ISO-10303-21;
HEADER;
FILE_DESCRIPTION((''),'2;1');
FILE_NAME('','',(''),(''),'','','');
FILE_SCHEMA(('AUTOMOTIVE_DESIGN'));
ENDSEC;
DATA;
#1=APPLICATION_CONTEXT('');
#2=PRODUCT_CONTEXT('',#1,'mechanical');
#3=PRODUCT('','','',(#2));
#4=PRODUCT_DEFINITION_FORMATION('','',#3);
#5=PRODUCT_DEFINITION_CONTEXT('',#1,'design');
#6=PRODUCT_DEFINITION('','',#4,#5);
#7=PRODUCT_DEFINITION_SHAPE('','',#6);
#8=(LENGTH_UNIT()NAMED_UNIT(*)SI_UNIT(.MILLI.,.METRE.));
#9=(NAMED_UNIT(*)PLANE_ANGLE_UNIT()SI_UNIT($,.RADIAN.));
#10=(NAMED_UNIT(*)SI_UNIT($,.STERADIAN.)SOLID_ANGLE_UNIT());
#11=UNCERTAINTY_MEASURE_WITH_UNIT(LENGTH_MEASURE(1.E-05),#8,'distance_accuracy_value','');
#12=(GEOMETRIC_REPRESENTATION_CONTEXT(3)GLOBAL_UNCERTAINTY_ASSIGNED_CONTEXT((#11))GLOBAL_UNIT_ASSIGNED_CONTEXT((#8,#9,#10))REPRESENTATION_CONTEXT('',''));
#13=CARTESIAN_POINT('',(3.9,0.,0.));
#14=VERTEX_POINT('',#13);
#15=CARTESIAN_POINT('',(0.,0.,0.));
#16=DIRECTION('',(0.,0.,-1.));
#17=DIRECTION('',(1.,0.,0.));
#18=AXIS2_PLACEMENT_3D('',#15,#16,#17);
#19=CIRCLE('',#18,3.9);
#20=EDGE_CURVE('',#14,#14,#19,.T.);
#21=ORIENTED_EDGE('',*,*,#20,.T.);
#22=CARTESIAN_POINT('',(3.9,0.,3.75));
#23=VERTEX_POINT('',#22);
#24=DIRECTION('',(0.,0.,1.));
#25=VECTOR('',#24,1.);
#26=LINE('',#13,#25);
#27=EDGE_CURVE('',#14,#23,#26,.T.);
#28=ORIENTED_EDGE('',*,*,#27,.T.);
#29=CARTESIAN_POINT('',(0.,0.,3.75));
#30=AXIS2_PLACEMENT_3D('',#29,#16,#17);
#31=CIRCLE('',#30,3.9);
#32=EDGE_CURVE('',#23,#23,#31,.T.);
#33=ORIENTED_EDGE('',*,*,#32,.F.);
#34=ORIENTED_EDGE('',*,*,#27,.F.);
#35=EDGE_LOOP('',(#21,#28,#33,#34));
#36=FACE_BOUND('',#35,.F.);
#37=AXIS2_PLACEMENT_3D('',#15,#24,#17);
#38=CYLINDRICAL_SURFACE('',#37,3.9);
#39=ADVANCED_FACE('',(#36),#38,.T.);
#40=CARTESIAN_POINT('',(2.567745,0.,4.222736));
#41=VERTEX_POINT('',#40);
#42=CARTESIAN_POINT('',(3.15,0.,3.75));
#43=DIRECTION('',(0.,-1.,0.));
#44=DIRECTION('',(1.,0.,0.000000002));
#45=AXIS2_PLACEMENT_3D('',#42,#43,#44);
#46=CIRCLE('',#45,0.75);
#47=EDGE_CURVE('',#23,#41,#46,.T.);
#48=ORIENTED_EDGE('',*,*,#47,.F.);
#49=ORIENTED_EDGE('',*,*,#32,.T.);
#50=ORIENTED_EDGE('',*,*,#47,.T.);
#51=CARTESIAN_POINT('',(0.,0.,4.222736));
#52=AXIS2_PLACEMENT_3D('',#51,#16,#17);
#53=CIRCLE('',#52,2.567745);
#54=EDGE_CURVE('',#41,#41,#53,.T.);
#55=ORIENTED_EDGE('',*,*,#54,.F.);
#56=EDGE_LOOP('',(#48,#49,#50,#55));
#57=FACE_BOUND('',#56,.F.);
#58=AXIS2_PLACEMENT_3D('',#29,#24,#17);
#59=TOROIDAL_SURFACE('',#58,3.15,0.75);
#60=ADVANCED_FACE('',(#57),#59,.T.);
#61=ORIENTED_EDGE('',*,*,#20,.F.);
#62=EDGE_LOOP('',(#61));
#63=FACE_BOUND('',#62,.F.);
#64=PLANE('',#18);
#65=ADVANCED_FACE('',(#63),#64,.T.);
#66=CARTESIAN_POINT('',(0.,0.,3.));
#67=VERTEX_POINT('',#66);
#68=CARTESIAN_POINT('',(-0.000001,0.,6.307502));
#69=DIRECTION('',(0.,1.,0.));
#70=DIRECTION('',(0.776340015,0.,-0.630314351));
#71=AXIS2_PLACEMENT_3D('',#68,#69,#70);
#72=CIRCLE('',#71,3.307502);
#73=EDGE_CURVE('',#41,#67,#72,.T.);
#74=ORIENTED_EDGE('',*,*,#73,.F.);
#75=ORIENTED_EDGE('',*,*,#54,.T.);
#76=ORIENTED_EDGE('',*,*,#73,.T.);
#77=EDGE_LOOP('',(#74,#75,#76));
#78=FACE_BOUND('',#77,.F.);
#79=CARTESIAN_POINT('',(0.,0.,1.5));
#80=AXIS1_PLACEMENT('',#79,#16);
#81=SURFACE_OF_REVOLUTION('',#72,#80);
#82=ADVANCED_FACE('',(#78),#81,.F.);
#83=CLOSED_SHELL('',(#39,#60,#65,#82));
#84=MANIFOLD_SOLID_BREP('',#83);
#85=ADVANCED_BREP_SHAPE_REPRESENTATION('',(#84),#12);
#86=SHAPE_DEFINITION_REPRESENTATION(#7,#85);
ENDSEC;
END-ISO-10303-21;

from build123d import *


with BuildPart() as f1:
    # F0 (on Front) → F1 (revolve)
    with BuildSketch(Plane.XZ):
        with BuildLine():
            Line((0, 3), (0, 0))
            Line((0, 0), (3.9, 0))
            Line((3.9, 0), (3.9, 3.75))
            ThreePointArc((3.9, 3.75), (3.400807, 4.456821), (2.567745, 4.222736))
            ThreePointArc((2.567745, 4.222736), (1.422005, 3.321289), (0, 3))
        make_face()
    revolve(axis=Axis((0, 0, 1.5), (0, 0, -1)))


solid = f1.part
